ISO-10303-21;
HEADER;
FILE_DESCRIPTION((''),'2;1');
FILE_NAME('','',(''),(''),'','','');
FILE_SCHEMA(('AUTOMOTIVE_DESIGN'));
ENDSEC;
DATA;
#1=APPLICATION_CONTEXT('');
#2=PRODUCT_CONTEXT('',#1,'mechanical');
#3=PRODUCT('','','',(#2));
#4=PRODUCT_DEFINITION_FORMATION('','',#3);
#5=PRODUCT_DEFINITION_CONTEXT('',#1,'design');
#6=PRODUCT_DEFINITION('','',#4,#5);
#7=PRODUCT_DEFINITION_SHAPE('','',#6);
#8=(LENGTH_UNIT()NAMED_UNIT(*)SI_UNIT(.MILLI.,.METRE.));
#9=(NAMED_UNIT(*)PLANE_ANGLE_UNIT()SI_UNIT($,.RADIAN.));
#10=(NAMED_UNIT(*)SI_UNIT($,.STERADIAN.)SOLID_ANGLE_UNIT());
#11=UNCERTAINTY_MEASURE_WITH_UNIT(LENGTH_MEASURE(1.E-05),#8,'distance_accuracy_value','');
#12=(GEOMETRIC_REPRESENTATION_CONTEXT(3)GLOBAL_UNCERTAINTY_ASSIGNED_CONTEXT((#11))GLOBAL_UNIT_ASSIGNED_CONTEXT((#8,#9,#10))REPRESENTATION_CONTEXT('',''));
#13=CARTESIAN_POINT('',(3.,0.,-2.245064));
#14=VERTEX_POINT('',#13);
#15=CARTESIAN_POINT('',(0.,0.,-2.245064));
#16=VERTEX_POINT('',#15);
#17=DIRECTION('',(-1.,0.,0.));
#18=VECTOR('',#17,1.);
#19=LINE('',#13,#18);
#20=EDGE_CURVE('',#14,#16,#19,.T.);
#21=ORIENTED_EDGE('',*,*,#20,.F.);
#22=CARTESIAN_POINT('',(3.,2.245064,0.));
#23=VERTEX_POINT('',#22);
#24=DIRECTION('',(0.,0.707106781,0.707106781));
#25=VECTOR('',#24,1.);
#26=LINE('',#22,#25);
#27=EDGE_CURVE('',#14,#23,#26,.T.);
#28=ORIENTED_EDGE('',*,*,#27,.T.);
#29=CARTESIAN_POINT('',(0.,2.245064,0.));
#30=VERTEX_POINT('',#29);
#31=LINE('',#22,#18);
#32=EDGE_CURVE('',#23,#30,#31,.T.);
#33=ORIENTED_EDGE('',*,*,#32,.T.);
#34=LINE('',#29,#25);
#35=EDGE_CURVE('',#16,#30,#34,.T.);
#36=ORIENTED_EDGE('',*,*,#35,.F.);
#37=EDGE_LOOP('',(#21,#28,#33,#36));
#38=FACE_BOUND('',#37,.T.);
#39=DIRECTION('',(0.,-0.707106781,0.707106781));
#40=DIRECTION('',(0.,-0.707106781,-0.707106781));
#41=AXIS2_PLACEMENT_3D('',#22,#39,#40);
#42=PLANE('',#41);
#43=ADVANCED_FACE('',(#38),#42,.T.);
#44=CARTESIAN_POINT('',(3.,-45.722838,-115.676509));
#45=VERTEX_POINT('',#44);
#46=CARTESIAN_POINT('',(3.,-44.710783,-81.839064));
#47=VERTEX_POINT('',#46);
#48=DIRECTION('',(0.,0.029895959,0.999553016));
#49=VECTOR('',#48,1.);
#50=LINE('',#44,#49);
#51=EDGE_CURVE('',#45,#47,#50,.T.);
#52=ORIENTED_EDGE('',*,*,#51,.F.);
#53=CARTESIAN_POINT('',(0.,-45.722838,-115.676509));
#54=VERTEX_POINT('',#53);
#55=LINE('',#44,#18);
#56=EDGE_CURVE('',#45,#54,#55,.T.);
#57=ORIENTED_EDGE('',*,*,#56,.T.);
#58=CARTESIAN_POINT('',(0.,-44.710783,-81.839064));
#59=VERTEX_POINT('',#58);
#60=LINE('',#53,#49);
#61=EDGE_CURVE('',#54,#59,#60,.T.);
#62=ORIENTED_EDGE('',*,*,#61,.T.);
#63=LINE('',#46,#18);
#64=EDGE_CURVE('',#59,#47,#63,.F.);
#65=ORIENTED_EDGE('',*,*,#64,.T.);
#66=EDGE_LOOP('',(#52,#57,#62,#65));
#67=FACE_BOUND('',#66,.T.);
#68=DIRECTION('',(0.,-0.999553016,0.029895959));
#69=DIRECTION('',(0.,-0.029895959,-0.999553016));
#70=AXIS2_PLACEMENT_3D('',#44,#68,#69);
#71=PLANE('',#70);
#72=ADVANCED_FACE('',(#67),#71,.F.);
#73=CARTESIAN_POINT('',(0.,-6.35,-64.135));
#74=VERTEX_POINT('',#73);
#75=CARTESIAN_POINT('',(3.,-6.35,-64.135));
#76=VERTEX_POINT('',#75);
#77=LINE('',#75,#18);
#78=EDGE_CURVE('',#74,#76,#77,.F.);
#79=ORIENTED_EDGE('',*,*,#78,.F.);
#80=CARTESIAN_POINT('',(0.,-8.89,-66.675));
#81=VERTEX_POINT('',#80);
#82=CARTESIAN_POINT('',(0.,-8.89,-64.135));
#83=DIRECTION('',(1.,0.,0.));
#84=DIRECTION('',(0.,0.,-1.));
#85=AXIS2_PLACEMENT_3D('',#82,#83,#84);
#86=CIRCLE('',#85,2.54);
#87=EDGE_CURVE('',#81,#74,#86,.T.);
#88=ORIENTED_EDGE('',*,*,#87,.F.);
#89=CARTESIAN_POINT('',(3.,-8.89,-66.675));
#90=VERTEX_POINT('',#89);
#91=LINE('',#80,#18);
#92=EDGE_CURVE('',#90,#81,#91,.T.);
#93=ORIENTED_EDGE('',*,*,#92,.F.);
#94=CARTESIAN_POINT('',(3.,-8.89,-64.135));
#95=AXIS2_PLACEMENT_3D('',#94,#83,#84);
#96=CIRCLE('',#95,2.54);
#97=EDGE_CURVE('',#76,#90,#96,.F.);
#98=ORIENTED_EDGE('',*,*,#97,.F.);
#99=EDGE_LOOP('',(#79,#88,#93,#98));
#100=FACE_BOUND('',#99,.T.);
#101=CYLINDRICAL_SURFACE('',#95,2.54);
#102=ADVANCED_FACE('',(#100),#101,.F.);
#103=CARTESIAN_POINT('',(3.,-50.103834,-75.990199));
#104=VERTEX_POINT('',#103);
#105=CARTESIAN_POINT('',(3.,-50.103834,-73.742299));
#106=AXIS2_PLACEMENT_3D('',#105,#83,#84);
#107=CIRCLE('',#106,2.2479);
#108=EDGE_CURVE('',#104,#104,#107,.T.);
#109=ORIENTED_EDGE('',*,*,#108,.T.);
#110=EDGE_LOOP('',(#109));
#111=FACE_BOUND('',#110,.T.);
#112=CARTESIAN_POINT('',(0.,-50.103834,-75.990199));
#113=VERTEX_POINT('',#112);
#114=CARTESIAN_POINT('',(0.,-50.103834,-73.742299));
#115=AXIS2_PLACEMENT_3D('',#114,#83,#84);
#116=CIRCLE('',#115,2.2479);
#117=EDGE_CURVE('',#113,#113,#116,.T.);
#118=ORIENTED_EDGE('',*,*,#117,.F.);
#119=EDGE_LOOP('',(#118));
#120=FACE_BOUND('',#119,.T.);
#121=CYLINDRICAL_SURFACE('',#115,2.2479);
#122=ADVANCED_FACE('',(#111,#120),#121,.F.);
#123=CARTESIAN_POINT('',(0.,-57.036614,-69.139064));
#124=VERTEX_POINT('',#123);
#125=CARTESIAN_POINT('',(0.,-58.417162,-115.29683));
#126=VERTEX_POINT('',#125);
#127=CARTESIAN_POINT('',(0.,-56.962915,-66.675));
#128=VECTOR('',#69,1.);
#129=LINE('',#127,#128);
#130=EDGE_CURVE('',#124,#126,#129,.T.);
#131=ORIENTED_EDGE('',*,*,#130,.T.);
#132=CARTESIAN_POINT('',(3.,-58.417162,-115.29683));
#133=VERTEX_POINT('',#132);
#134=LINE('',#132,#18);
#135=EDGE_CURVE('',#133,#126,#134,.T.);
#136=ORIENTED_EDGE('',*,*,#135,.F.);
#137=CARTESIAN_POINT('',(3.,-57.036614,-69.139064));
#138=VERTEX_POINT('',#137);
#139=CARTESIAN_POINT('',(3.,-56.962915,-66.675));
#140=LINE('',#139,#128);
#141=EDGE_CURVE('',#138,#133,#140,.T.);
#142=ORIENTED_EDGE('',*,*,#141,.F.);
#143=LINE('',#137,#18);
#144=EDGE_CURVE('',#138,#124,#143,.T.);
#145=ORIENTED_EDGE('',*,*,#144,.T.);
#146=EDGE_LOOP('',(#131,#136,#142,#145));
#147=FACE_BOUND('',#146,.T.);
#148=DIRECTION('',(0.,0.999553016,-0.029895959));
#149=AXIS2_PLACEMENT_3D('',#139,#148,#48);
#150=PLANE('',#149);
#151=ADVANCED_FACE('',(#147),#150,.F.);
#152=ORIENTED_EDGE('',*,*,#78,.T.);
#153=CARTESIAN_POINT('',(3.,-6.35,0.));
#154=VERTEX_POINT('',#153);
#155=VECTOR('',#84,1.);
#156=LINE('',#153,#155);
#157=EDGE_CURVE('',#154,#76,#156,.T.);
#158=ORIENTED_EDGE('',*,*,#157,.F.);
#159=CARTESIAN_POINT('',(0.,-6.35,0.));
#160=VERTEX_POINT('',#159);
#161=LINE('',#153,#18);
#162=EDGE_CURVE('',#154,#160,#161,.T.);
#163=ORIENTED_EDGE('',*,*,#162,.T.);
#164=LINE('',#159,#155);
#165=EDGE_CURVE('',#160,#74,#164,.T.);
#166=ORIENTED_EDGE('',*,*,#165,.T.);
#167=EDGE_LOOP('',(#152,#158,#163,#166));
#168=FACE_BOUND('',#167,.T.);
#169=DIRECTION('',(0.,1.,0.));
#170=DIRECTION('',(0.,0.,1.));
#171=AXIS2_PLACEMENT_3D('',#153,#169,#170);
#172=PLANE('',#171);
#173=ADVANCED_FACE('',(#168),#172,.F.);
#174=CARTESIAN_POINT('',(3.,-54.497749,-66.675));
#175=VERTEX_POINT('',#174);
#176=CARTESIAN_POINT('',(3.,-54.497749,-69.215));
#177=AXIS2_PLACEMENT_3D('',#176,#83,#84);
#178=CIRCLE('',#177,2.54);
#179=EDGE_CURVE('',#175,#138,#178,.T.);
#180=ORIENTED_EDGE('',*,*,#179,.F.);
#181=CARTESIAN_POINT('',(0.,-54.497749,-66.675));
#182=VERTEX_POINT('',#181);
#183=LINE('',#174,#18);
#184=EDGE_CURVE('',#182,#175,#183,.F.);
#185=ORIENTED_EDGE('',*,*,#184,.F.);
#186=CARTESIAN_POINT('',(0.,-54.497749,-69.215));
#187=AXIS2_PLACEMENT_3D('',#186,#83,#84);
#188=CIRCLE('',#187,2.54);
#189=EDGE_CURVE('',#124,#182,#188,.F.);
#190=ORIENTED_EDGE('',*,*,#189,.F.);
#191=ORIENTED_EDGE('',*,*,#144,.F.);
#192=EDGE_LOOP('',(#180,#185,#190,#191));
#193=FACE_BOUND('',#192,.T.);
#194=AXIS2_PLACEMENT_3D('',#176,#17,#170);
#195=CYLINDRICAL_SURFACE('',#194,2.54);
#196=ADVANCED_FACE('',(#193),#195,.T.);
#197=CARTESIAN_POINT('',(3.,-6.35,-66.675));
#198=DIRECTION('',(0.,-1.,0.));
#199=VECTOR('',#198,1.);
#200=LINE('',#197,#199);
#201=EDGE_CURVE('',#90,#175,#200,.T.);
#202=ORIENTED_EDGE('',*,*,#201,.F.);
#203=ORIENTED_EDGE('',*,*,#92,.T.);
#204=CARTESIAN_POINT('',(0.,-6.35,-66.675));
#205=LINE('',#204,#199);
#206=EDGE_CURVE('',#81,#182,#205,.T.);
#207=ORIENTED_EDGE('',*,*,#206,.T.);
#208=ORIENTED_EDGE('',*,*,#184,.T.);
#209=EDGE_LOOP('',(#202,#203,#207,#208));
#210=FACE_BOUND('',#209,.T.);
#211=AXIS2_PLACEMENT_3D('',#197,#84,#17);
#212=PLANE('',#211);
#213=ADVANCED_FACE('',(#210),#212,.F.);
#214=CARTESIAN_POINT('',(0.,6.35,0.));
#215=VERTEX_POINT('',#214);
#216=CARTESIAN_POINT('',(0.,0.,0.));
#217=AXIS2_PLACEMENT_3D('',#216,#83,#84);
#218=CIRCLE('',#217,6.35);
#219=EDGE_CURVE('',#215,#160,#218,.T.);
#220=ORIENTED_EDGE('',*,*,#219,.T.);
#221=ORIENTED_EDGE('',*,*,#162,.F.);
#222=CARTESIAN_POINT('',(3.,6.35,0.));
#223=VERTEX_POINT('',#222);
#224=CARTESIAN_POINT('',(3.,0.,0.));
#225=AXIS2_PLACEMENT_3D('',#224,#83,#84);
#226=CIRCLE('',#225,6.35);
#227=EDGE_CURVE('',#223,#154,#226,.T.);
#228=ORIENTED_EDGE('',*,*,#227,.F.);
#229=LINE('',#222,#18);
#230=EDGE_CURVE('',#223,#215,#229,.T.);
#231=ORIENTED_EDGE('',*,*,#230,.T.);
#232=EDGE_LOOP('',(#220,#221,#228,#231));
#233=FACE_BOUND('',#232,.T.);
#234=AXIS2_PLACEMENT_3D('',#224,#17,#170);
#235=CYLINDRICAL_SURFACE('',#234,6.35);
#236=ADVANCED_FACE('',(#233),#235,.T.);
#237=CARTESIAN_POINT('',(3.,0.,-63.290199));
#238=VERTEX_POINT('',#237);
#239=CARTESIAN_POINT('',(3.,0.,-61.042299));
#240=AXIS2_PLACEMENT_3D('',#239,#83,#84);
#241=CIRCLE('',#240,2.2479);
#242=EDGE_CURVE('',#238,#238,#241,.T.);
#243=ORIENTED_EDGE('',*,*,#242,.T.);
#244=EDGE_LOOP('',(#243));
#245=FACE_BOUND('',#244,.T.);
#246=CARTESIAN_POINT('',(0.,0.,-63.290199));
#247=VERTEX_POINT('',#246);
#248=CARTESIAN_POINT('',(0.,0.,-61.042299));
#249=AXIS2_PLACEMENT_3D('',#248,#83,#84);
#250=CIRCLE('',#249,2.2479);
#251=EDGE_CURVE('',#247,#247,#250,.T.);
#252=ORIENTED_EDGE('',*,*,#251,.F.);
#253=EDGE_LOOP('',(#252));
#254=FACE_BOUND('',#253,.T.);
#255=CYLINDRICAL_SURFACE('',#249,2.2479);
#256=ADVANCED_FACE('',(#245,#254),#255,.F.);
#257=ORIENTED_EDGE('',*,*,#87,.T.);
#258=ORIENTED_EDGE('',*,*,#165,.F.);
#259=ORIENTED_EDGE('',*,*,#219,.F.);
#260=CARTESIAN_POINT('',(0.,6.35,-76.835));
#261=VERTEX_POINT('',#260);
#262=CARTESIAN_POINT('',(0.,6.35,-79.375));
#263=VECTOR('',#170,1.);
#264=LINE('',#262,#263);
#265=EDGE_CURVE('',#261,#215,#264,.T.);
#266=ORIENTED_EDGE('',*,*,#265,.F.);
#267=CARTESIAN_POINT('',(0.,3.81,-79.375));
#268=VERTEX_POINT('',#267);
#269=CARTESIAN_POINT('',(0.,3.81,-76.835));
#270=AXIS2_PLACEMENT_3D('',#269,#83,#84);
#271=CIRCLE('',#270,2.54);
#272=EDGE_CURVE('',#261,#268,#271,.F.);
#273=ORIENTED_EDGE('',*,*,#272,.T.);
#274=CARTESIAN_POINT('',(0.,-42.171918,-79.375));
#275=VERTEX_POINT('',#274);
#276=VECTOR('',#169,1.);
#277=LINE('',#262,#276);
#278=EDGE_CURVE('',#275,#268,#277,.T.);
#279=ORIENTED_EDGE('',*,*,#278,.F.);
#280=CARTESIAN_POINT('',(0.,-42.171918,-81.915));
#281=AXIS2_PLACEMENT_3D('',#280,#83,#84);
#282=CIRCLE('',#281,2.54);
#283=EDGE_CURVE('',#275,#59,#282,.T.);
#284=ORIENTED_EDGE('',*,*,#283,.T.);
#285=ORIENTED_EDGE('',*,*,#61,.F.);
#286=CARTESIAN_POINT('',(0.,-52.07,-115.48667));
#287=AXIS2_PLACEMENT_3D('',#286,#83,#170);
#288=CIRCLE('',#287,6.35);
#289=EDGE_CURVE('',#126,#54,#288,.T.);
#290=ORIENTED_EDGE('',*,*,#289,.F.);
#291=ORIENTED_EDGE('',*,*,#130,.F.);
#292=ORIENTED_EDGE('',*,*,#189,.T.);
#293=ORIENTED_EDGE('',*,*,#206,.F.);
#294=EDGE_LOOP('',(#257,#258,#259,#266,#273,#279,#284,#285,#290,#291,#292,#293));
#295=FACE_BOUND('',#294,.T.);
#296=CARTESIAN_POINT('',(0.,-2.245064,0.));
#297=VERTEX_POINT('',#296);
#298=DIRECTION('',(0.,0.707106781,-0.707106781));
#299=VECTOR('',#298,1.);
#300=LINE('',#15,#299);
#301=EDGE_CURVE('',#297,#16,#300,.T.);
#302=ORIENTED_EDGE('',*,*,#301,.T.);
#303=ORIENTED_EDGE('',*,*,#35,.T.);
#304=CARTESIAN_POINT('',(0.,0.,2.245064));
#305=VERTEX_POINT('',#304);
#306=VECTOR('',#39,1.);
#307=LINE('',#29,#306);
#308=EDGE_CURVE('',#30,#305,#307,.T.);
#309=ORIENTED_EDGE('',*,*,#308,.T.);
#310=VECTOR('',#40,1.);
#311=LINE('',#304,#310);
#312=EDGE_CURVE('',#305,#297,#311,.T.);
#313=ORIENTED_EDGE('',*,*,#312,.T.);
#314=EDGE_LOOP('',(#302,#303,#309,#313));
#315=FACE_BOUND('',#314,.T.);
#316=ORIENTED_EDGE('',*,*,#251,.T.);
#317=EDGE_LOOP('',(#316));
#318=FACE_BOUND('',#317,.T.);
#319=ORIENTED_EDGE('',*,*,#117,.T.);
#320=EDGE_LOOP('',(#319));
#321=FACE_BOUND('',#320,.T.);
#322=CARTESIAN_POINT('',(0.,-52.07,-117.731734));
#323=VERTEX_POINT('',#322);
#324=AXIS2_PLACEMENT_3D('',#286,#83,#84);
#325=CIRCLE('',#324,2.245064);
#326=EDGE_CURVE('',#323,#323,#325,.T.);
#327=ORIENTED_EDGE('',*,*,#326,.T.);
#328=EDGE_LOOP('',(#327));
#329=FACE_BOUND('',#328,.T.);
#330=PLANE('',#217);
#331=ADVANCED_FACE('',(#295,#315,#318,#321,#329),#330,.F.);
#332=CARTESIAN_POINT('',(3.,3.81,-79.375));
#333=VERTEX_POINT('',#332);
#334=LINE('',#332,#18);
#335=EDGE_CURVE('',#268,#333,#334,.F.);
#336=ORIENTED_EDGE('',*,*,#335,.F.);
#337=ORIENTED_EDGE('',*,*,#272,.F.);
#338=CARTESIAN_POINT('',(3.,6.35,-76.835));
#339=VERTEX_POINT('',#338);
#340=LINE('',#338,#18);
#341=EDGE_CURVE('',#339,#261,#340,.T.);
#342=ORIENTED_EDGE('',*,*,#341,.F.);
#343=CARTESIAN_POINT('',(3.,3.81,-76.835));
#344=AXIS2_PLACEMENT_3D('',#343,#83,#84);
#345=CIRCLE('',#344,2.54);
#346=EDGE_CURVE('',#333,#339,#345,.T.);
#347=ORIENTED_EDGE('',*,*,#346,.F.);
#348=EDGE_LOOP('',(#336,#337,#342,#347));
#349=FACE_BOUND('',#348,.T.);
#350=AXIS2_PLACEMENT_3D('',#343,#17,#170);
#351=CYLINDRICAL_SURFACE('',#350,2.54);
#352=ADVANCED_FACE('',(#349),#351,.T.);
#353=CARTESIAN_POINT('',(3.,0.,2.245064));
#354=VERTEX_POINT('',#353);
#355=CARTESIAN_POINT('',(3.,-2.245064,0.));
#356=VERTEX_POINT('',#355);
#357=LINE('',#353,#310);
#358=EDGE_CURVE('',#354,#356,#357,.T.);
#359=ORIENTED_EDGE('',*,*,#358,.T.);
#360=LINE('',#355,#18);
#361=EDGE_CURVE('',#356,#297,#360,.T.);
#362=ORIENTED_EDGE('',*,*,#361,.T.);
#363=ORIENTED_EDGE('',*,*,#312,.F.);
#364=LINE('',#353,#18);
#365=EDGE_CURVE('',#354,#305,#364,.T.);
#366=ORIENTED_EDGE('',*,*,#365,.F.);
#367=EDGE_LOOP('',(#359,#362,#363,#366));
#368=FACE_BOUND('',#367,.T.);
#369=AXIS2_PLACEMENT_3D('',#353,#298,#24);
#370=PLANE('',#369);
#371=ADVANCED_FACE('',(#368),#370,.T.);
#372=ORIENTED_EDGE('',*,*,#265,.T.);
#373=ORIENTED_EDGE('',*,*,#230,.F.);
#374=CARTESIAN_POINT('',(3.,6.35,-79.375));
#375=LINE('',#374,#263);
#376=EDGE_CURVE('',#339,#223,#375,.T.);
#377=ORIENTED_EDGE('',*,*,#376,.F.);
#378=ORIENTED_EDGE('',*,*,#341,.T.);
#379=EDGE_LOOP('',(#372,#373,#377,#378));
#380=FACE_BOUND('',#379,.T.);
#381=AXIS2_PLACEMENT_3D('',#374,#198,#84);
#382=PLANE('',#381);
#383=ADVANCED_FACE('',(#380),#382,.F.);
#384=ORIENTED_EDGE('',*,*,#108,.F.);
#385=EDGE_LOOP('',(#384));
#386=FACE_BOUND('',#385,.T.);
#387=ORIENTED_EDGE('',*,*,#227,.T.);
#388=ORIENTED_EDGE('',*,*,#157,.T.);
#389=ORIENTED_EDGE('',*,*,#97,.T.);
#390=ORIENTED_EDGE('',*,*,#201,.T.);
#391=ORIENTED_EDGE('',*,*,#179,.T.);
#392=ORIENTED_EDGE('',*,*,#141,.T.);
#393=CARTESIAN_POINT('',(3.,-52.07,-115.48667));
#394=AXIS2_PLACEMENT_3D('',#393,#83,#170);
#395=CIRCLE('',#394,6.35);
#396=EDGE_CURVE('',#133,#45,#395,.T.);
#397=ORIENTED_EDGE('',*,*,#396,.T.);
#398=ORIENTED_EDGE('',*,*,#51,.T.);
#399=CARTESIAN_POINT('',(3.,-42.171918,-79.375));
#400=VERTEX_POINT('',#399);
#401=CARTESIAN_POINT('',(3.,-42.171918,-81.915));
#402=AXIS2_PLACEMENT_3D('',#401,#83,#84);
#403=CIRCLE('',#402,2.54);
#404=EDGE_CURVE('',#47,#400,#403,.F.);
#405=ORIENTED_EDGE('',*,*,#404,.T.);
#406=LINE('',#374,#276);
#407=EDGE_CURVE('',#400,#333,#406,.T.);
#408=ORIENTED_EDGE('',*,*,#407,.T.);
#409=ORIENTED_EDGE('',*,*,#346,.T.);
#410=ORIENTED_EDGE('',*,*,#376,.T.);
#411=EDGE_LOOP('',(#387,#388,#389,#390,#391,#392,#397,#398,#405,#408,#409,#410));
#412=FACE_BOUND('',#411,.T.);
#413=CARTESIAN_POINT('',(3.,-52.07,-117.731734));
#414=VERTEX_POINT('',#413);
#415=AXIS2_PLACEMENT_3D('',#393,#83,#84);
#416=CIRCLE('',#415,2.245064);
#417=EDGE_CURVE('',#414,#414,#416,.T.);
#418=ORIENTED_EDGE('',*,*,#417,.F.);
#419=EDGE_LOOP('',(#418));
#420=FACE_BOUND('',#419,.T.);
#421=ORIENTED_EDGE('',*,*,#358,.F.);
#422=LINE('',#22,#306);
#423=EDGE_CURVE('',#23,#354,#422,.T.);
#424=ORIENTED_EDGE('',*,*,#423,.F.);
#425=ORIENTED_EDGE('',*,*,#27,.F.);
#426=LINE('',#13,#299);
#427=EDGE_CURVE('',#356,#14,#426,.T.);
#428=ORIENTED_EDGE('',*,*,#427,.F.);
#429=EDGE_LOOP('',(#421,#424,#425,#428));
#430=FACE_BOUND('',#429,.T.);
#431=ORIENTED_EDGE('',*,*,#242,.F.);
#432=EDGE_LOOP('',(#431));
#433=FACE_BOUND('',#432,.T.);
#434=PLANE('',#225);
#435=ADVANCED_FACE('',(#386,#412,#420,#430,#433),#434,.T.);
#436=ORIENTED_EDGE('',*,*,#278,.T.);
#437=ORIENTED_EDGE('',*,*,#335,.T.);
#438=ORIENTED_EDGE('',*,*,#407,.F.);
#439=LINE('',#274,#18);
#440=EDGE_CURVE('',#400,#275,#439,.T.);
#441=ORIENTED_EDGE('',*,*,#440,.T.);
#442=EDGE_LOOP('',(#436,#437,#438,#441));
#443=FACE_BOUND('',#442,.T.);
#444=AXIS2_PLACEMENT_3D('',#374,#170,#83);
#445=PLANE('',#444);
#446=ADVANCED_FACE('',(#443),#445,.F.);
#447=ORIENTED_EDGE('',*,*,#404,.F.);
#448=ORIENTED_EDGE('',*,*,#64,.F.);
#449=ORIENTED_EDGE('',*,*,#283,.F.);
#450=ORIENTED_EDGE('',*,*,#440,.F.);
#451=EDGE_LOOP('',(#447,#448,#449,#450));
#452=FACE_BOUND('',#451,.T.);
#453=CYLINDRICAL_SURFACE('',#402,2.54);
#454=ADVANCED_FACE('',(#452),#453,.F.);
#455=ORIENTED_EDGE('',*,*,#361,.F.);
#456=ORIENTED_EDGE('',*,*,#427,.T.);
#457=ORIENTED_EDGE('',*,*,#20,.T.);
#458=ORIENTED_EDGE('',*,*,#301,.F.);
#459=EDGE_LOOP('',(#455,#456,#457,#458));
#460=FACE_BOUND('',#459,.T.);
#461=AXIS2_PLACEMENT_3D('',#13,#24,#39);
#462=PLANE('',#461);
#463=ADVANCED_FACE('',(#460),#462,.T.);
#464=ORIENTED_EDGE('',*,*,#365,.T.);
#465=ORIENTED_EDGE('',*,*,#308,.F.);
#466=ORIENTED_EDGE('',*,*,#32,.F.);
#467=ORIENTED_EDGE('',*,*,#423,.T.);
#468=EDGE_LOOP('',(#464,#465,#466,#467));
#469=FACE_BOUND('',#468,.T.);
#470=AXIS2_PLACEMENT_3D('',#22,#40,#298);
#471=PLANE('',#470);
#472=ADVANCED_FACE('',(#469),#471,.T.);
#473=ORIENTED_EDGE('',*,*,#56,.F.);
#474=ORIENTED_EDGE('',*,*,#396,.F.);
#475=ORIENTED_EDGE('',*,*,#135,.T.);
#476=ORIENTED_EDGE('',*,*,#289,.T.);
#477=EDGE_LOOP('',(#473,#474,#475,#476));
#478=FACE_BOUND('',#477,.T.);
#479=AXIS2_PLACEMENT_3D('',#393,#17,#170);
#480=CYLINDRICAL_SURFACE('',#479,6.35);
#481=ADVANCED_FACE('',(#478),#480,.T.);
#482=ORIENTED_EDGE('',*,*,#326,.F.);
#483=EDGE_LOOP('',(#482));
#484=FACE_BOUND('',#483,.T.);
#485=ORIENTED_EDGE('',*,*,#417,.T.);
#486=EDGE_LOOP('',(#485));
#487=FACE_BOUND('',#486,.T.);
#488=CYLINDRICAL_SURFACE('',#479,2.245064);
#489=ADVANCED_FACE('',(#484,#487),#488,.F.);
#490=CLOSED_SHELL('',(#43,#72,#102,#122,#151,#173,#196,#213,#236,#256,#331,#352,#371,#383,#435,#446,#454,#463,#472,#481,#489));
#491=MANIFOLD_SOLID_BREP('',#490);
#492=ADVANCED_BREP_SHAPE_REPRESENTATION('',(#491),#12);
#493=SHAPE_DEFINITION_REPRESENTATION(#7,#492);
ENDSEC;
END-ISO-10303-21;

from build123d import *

# Parameters (mm, degrees)
SKETCH1_R               = 2.24506403
BOSS_EXTRUDE1_DEPTH     = 3
FILLET1_R               = 2.54
SKETCH2_R               = 2.2479
TORQUE_PREVENTION_DEPTH = 136.15202741


with BuildPart() as part:
    # Sketch1 → Boss-Extrude1 (new body)
    with BuildSketch(Plane(origin=(0, 0, 0), x_dir=(0, 0, -1), z_dir=(1, 0, 0))):
        with BuildLine():
            Line((0, -6.35), (66.675, -6.35))
            Line((66.675, -6.35), (66.675, -56.962915387))
            Line((66.675, -56.962915387), (115.296830482, -58.417161651))
            ThreePointArc((115.296830482, -58.417161651), (121.833831472, -52.259839338), (115.676509159, -45.722838349))
            Line((115.676509159, -45.722838349), (79.375, -44.637084613))
            Line((79.375, -44.637084613), (79.375, 6.35))
            Line((79.375, 6.35), (0, 6.35))
            ThreePointArc((0, 6.35), (-6.35, 0), (0, -6.35))
        make_face()
        with Locations((115.486669821, -52.07)):
            Circle(SKETCH1_R, mode=Mode.SUBTRACT)
        Polygon((0, 2.24506403), (2.24506403, 0), (0, -2.24506403), (-2.24506403, 0), align=None, mode=Mode.SUBTRACT)
    extrude(amount=BOSS_EXTRUDE1_DEPTH)

    # Fillet1
    fillet1_edges = [part.edges().sort_by_distance(p)[0] for p in [
        (1.5, 6.35, -79.375),
        (1.5, -44.637084613, -79.375),
        (1.5, -56.962915387, -66.675),
        (1.5, -6.35, -66.675),
    ]]
    fillet(fillet1_edges, radius=FILLET1_R)

    # Sketch2 → Torque prevention (cut, through all)
    with BuildSketch(Plane(origin=(3, 0, 0), x_dir=(0, 0, -1), z_dir=(1, 0, 0))):
        with Locations((73.742299151, -50.103834019)):
            Circle(SKETCH2_R)
        with Locations((61.042299151, 0)):
            Circle(SKETCH2_R)
    extrude(amount=-TORQUE_PREVENTION_DEPTH, mode=Mode.SUBTRACT)


solid = part.part
